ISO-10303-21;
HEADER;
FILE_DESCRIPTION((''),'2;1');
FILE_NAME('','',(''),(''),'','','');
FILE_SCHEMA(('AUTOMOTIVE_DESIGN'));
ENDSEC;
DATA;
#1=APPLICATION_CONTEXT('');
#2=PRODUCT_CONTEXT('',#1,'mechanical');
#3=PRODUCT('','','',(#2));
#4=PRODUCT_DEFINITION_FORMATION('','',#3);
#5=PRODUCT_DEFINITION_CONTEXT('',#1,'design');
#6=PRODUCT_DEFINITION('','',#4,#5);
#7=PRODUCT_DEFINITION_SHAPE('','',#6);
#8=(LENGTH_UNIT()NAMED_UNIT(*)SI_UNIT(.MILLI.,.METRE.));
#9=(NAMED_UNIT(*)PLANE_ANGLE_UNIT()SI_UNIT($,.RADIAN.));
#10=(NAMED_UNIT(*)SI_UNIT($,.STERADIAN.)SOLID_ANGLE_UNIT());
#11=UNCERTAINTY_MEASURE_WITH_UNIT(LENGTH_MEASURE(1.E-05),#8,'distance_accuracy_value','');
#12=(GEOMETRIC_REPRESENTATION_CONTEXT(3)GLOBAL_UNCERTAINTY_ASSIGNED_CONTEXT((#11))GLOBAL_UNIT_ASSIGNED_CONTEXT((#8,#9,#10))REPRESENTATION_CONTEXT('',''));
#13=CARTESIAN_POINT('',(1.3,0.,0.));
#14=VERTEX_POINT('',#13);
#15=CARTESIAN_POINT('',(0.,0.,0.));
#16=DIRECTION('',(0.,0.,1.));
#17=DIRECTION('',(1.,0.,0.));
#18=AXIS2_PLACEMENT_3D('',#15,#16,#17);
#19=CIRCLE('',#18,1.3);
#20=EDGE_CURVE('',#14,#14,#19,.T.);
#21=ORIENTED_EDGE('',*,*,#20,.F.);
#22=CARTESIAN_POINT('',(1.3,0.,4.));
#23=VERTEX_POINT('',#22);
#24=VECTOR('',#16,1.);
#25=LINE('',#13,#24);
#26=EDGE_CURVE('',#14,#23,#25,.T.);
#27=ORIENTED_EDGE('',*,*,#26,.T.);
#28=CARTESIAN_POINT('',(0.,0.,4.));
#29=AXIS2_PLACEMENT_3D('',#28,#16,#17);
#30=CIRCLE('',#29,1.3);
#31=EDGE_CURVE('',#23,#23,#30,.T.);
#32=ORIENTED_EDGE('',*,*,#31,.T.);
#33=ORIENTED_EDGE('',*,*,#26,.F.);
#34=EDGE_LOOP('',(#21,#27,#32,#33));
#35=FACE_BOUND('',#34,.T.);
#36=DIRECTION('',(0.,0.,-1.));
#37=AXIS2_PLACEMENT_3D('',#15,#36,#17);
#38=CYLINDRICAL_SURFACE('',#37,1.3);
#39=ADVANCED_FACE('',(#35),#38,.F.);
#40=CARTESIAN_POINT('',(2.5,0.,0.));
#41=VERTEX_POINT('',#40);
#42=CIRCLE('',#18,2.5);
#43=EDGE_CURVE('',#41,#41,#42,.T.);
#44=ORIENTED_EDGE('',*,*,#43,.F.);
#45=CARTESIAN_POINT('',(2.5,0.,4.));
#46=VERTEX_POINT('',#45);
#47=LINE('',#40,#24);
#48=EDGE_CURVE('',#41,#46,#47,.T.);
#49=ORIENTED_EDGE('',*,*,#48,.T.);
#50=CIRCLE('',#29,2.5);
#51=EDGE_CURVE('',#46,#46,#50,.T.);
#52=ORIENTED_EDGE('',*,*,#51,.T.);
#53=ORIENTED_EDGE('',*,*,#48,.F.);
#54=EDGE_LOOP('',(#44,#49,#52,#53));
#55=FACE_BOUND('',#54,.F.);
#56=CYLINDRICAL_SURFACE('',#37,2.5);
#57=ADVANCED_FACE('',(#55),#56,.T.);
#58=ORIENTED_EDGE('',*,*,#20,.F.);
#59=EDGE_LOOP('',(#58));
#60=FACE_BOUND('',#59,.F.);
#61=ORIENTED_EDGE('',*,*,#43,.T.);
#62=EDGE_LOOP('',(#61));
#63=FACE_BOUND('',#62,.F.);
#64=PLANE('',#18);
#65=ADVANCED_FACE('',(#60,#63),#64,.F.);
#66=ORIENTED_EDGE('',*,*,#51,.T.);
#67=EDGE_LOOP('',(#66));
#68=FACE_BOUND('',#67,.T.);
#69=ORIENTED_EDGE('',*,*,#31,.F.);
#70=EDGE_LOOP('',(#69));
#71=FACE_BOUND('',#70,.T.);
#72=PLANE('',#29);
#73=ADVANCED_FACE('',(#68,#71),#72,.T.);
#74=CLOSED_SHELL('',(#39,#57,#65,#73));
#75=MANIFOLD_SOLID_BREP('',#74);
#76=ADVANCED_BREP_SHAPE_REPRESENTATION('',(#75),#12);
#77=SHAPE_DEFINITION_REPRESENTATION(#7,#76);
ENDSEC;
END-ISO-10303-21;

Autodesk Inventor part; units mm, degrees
ref_plane "YZ Plane" through (0, 0, 0) normal (1, 0, 0) x (0, 1, 0)
ref_plane "XZ Plane" through (0, 0, 0) normal (0, 1, 0) x (-1, 0, 0)
ref_plane "XY Plane" through (0, 0, 0) normal (0, 0, 1) x (1, 0, 0)
sketch "スケッチ1" plane through (0, 0, 0) normal (0, 0, 1) x (1, 0, 0)
  circle A0 centre (0, 0) radius 2.5
  circle A1 centre (0, 0) radius 1.3
  dimension "d0" = 5
  dimension "d1" = 2.6
extrude "押し出し1" add sketch "スケッチ1" along normal blind 4
properties part number "FWSJJ-D5-V2_6-T4" material "アセタール樹脂、白"
